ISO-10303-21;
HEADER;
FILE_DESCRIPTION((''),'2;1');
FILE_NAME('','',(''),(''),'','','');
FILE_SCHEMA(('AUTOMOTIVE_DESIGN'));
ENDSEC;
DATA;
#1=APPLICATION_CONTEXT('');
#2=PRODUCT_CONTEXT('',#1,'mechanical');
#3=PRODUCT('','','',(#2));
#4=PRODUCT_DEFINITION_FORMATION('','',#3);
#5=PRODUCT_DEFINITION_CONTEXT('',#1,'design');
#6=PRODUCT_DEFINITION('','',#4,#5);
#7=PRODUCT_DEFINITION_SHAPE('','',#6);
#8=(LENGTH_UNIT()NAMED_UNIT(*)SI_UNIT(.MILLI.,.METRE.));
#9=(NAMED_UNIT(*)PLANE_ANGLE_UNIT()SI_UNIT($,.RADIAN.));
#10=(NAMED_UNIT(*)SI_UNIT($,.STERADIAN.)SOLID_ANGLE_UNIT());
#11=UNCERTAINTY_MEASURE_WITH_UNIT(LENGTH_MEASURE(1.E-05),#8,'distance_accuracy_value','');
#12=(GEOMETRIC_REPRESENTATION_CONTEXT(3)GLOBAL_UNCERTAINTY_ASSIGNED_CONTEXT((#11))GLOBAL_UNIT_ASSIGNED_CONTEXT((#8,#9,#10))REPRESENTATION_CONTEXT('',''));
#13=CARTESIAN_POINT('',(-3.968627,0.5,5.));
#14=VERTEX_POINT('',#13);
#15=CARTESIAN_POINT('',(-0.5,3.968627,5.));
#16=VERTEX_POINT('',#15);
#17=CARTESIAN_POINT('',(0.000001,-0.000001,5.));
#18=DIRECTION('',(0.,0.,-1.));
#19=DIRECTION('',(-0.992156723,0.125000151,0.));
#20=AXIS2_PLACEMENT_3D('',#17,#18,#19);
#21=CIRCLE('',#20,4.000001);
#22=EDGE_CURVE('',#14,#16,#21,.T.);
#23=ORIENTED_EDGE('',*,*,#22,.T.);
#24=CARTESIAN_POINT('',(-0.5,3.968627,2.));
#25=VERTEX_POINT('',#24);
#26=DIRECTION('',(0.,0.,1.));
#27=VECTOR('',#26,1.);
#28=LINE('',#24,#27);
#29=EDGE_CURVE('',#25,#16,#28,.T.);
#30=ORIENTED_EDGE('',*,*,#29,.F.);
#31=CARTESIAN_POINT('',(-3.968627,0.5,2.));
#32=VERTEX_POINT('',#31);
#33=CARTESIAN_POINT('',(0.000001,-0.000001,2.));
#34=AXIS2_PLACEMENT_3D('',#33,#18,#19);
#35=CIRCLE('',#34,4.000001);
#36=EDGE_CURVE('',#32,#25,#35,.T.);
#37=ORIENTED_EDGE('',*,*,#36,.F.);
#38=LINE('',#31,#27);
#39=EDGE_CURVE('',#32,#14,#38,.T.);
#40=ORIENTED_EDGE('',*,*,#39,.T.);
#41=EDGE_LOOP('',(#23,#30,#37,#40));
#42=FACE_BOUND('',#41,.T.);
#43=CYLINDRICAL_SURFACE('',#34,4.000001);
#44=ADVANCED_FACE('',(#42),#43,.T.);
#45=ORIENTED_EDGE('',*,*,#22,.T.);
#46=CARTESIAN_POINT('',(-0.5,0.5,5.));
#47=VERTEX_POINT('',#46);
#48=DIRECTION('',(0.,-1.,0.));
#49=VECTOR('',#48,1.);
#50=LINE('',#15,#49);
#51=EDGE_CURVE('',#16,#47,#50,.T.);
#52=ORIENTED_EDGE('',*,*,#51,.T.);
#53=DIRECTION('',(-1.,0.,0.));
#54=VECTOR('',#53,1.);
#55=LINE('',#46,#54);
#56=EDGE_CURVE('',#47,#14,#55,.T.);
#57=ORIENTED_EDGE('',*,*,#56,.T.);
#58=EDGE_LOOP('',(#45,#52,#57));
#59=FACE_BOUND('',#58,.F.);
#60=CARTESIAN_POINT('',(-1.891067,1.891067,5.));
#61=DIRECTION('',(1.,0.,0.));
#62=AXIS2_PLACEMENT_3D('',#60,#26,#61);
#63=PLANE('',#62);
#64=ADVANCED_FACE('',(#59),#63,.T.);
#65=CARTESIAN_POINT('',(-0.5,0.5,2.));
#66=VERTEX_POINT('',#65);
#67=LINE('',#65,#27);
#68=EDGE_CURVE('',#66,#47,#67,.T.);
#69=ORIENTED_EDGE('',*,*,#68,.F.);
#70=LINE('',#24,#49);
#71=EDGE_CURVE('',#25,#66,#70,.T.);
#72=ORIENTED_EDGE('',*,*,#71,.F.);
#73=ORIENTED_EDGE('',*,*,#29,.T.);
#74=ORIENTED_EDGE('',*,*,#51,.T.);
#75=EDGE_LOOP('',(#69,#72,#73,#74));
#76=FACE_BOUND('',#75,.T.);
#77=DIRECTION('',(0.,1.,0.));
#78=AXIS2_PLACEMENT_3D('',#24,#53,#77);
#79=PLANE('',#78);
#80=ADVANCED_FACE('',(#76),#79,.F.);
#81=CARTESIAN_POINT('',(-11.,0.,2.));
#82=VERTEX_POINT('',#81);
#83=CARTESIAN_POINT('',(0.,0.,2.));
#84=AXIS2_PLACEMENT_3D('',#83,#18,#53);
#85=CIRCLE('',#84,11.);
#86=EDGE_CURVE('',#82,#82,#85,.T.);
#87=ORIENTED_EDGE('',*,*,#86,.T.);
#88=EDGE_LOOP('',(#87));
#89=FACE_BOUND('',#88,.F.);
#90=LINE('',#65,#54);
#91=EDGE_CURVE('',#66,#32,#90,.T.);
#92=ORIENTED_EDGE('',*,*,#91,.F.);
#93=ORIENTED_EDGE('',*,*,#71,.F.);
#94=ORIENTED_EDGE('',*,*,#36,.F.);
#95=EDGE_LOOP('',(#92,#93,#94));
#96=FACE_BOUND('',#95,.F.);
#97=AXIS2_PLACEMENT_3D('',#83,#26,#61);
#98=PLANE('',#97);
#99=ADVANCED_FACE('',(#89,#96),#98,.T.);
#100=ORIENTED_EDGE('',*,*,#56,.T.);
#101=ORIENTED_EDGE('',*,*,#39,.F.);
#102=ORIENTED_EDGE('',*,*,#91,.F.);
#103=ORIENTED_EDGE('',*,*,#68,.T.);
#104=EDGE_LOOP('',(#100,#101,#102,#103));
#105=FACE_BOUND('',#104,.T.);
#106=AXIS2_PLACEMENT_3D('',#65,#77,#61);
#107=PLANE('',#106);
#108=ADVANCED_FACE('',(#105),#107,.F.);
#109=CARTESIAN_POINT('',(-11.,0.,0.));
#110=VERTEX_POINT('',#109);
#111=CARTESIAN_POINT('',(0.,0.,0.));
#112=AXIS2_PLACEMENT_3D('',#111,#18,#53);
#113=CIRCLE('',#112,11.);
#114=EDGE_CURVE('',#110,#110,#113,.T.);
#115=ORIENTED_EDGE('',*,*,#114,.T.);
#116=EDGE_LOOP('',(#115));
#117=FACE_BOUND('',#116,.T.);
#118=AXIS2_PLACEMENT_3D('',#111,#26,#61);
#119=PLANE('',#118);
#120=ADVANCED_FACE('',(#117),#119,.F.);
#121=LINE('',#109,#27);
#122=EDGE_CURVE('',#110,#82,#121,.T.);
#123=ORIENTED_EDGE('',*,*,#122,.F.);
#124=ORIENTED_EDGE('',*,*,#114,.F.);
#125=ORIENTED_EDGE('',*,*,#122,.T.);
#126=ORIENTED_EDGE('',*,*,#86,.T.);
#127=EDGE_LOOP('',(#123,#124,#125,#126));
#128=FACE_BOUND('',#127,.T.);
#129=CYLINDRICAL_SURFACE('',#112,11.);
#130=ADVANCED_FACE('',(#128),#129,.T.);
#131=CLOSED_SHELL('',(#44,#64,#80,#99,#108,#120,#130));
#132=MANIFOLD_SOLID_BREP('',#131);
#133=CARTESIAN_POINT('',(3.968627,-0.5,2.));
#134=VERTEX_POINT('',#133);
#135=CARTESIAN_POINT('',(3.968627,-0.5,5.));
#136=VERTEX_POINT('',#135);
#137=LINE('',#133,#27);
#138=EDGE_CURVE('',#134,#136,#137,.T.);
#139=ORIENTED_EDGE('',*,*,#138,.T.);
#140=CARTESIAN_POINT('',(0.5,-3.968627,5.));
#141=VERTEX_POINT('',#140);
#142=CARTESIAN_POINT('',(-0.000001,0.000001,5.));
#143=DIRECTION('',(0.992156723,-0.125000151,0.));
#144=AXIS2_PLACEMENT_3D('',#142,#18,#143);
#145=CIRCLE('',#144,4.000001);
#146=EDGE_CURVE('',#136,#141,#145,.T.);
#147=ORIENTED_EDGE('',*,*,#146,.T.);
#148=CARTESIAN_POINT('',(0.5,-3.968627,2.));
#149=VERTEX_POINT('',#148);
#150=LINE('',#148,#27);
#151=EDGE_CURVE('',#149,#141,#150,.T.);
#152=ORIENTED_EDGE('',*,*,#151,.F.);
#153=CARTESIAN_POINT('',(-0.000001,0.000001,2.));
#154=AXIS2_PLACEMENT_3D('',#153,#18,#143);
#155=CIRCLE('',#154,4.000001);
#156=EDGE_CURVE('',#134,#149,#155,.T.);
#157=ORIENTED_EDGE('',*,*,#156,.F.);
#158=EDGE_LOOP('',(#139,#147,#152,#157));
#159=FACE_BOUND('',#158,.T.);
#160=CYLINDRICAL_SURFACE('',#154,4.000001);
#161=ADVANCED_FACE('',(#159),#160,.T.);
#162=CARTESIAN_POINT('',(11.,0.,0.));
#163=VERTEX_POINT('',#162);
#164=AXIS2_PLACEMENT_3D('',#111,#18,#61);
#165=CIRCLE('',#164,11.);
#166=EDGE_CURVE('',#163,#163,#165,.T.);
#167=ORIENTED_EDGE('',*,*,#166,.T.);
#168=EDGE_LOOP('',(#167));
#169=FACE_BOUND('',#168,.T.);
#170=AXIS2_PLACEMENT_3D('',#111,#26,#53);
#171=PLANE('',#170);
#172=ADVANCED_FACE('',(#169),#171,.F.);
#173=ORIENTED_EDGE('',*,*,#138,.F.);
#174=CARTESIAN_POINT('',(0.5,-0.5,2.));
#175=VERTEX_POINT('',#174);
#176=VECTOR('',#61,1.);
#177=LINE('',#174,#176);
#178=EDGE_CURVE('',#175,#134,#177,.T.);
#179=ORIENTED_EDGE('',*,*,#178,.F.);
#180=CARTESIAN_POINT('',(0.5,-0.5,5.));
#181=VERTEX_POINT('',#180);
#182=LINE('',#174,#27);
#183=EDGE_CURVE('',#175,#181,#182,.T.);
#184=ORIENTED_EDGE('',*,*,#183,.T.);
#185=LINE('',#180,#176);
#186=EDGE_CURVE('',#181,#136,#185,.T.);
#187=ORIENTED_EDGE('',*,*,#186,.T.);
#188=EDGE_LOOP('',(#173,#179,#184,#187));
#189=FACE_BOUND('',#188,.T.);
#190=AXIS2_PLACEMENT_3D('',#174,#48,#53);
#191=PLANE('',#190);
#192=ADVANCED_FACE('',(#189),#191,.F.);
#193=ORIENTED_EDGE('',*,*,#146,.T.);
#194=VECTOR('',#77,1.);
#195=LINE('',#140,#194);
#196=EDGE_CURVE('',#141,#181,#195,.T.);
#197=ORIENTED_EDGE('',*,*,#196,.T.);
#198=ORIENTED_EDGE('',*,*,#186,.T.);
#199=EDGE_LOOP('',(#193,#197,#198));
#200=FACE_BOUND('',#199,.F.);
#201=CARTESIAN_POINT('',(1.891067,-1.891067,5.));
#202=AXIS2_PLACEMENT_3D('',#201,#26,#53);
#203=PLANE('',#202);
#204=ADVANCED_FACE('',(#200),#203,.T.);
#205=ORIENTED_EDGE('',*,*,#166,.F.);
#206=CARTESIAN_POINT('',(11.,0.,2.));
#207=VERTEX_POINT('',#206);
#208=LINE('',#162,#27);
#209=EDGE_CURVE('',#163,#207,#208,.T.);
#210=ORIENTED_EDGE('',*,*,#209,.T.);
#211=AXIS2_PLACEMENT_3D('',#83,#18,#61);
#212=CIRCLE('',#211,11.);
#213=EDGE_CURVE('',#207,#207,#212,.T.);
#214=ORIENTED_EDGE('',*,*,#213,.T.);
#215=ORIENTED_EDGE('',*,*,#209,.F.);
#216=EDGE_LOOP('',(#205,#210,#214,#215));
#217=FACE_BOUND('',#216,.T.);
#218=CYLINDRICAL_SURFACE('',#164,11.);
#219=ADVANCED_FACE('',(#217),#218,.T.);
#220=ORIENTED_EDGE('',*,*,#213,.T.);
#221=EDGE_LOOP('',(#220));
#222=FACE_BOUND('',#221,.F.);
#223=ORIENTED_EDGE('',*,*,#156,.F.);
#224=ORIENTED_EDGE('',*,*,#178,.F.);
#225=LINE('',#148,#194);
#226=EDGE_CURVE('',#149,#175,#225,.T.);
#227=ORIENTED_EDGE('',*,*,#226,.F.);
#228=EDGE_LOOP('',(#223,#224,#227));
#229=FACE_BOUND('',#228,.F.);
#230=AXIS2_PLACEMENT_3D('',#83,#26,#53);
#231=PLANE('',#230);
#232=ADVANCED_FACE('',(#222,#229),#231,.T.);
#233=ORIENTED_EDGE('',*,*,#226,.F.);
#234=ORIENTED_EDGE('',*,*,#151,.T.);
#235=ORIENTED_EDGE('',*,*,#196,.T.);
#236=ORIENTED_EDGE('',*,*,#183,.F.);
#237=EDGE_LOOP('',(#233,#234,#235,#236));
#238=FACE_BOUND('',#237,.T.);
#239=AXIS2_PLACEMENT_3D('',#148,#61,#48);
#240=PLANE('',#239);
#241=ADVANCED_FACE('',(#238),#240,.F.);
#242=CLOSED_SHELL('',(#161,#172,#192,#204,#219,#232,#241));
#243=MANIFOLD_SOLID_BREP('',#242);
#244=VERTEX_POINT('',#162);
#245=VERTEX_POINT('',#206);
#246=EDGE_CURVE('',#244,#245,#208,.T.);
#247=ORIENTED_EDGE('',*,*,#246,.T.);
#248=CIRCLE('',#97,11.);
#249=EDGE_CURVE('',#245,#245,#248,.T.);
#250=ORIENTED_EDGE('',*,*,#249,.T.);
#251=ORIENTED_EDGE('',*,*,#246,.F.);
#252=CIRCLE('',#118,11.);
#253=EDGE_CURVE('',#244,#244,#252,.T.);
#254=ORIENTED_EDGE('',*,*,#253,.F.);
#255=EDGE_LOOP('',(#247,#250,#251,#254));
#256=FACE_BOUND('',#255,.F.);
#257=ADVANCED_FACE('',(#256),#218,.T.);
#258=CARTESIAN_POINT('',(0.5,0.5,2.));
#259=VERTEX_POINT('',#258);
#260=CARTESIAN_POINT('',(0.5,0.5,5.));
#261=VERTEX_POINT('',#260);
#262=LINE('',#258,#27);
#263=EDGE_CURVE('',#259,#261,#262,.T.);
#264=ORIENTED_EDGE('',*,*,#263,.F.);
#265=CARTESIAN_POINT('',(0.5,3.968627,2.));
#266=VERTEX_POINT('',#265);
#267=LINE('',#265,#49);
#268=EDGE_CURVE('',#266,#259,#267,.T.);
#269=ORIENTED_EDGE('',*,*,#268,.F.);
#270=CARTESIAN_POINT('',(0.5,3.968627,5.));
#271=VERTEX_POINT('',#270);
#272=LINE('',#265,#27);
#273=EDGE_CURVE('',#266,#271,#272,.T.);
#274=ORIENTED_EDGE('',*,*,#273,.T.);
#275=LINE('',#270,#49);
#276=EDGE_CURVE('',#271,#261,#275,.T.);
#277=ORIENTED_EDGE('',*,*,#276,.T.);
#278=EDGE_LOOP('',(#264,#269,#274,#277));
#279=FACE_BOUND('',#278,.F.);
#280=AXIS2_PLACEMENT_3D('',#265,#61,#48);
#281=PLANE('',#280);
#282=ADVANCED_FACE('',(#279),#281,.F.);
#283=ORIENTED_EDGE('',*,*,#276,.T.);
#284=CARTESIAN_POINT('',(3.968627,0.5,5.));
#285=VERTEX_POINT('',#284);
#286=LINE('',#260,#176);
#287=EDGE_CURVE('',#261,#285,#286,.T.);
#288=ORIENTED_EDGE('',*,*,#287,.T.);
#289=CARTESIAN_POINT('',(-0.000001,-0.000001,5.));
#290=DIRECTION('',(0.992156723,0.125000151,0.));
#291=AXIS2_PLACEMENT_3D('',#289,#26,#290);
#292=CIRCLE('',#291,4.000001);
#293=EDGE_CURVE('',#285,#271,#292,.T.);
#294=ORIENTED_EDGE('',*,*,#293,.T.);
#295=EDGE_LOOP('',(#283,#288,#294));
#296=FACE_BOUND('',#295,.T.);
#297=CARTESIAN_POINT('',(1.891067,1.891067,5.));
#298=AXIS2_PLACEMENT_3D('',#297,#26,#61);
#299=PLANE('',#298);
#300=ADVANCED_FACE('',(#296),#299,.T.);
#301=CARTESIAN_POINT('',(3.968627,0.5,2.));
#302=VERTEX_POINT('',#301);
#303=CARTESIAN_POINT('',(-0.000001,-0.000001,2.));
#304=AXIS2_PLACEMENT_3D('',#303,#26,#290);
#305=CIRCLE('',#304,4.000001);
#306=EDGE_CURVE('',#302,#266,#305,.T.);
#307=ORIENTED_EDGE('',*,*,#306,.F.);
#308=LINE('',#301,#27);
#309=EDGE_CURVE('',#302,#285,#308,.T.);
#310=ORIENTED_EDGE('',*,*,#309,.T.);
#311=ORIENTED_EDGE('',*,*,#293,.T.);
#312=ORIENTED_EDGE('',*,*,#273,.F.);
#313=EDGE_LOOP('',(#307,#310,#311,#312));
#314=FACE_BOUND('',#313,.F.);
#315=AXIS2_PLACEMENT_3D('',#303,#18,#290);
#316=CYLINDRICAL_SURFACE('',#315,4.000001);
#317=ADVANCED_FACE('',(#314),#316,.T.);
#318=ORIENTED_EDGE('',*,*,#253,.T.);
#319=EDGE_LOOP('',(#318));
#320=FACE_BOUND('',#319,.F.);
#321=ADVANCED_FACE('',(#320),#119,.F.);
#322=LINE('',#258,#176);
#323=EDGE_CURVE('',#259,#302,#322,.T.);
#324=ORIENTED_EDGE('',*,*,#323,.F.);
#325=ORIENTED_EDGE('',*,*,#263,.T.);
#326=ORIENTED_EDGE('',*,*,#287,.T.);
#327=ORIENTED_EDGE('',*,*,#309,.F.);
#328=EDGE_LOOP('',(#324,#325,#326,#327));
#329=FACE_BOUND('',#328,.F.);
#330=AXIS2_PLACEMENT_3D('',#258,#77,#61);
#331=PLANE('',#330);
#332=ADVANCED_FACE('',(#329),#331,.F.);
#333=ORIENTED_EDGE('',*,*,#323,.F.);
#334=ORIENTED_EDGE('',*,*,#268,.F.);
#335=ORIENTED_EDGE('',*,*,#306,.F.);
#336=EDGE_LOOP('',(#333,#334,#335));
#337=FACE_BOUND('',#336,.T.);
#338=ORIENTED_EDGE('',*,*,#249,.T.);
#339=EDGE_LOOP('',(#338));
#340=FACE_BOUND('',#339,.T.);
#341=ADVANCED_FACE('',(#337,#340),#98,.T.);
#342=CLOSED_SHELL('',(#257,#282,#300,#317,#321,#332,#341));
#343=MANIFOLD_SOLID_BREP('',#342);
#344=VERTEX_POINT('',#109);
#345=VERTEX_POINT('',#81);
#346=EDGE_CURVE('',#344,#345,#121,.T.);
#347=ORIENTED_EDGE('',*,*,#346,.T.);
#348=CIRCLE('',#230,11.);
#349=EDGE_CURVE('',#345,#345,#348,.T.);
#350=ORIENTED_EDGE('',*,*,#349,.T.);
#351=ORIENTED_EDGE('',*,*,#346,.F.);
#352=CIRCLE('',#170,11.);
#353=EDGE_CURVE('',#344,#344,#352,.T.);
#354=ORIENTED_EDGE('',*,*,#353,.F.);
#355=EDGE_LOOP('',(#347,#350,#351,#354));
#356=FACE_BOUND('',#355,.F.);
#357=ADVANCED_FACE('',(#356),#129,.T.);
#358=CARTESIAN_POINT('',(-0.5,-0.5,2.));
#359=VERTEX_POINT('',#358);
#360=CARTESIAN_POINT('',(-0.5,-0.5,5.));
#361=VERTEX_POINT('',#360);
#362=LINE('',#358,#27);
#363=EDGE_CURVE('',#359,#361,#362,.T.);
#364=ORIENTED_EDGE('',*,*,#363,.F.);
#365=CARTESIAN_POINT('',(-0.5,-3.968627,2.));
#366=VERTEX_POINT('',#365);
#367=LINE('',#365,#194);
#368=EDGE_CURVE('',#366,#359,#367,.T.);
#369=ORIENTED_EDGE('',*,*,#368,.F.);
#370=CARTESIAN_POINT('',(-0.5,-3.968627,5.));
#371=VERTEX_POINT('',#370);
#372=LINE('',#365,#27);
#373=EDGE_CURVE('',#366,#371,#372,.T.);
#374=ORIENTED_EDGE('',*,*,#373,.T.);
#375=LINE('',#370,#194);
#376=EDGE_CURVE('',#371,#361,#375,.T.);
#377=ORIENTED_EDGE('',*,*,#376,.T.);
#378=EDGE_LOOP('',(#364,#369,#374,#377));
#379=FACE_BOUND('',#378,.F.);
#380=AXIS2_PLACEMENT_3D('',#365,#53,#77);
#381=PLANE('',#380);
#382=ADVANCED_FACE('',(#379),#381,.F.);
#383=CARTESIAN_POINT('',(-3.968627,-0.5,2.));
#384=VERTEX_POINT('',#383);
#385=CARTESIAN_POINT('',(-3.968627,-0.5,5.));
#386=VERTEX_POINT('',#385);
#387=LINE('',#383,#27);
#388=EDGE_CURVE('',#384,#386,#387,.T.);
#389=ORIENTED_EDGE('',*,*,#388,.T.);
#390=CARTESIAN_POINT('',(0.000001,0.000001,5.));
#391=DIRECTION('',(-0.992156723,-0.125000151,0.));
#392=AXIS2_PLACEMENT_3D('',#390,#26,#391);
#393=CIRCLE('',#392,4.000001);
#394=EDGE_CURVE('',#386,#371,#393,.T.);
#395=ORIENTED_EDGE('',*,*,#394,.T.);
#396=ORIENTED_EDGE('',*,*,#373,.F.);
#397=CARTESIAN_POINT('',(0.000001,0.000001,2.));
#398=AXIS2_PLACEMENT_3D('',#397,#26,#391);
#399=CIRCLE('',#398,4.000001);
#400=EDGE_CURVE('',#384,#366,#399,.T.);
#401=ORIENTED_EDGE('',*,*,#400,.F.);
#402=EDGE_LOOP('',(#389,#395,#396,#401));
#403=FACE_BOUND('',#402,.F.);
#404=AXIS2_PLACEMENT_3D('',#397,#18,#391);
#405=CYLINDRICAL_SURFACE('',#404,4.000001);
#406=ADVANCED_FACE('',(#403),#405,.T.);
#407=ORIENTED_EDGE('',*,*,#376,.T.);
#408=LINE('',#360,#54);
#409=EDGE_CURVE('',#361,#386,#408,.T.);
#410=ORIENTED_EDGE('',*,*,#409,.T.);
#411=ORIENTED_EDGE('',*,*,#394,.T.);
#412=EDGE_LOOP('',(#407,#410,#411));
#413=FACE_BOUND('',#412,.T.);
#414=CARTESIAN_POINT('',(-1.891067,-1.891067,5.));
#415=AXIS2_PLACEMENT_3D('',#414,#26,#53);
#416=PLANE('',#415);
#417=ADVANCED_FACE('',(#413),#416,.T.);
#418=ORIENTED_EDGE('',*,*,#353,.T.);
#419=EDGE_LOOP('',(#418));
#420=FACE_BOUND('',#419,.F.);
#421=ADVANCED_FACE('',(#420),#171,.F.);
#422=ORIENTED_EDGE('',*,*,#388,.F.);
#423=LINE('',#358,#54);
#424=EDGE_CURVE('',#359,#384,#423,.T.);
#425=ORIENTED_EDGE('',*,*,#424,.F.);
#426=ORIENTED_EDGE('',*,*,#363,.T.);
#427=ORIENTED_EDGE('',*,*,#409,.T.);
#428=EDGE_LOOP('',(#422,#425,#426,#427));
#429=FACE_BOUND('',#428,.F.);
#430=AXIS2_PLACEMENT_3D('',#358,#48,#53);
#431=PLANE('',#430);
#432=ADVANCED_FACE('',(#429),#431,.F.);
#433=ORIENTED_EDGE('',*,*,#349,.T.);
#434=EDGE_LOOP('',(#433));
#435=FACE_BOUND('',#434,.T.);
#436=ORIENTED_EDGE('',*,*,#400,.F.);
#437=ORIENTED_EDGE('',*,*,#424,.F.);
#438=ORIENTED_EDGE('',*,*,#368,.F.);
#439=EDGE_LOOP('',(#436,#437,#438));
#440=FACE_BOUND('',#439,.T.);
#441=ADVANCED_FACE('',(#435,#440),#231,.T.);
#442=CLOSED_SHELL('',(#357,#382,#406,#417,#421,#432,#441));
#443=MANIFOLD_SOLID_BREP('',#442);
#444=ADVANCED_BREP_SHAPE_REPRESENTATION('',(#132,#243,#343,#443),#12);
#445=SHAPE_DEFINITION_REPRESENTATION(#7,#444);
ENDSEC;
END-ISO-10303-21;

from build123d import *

# Parameters (mm, degrees)
F0_R     = 11
F1_DEPTH = 2
F3_DEPTH = 3


with BuildPart() as f1:
    # F0 (on Top) → F1 (new body)
    with BuildSketch(Plane.XY):
        Circle(F0_R)
    extrude(amount=F1_DEPTH)

    # F2 (on face) → F3 (join)
    with BuildSketch(Plane.XY.offset(2)):
        with BuildLine():
            Line((0.5, 0.5), (3.968627, 0.5))
            ThreePointArc((3.968627, 0.5), (2.828427, 2.828427), (0.5, 3.968627))
            Line((0.5, 3.968627), (0.5, 0.5))
        make_face()
    extrude(amount=F3_DEPTH)


with BuildPart() as f4_1:
    # F4: instance of F1
    add(f1.part.mirror(Plane.XZ))


with BuildPart() as f5_1:
    # F5: instance of F1
    add(f1.part.mirror(Plane.YZ))


with BuildPart() as f5_2:
    # F5: instance of F4_1
    add(f4_1.part.mirror(Plane.YZ))


solid = Compound([f1.part, f4_1.part, f5_1.part, f5_2.part])
